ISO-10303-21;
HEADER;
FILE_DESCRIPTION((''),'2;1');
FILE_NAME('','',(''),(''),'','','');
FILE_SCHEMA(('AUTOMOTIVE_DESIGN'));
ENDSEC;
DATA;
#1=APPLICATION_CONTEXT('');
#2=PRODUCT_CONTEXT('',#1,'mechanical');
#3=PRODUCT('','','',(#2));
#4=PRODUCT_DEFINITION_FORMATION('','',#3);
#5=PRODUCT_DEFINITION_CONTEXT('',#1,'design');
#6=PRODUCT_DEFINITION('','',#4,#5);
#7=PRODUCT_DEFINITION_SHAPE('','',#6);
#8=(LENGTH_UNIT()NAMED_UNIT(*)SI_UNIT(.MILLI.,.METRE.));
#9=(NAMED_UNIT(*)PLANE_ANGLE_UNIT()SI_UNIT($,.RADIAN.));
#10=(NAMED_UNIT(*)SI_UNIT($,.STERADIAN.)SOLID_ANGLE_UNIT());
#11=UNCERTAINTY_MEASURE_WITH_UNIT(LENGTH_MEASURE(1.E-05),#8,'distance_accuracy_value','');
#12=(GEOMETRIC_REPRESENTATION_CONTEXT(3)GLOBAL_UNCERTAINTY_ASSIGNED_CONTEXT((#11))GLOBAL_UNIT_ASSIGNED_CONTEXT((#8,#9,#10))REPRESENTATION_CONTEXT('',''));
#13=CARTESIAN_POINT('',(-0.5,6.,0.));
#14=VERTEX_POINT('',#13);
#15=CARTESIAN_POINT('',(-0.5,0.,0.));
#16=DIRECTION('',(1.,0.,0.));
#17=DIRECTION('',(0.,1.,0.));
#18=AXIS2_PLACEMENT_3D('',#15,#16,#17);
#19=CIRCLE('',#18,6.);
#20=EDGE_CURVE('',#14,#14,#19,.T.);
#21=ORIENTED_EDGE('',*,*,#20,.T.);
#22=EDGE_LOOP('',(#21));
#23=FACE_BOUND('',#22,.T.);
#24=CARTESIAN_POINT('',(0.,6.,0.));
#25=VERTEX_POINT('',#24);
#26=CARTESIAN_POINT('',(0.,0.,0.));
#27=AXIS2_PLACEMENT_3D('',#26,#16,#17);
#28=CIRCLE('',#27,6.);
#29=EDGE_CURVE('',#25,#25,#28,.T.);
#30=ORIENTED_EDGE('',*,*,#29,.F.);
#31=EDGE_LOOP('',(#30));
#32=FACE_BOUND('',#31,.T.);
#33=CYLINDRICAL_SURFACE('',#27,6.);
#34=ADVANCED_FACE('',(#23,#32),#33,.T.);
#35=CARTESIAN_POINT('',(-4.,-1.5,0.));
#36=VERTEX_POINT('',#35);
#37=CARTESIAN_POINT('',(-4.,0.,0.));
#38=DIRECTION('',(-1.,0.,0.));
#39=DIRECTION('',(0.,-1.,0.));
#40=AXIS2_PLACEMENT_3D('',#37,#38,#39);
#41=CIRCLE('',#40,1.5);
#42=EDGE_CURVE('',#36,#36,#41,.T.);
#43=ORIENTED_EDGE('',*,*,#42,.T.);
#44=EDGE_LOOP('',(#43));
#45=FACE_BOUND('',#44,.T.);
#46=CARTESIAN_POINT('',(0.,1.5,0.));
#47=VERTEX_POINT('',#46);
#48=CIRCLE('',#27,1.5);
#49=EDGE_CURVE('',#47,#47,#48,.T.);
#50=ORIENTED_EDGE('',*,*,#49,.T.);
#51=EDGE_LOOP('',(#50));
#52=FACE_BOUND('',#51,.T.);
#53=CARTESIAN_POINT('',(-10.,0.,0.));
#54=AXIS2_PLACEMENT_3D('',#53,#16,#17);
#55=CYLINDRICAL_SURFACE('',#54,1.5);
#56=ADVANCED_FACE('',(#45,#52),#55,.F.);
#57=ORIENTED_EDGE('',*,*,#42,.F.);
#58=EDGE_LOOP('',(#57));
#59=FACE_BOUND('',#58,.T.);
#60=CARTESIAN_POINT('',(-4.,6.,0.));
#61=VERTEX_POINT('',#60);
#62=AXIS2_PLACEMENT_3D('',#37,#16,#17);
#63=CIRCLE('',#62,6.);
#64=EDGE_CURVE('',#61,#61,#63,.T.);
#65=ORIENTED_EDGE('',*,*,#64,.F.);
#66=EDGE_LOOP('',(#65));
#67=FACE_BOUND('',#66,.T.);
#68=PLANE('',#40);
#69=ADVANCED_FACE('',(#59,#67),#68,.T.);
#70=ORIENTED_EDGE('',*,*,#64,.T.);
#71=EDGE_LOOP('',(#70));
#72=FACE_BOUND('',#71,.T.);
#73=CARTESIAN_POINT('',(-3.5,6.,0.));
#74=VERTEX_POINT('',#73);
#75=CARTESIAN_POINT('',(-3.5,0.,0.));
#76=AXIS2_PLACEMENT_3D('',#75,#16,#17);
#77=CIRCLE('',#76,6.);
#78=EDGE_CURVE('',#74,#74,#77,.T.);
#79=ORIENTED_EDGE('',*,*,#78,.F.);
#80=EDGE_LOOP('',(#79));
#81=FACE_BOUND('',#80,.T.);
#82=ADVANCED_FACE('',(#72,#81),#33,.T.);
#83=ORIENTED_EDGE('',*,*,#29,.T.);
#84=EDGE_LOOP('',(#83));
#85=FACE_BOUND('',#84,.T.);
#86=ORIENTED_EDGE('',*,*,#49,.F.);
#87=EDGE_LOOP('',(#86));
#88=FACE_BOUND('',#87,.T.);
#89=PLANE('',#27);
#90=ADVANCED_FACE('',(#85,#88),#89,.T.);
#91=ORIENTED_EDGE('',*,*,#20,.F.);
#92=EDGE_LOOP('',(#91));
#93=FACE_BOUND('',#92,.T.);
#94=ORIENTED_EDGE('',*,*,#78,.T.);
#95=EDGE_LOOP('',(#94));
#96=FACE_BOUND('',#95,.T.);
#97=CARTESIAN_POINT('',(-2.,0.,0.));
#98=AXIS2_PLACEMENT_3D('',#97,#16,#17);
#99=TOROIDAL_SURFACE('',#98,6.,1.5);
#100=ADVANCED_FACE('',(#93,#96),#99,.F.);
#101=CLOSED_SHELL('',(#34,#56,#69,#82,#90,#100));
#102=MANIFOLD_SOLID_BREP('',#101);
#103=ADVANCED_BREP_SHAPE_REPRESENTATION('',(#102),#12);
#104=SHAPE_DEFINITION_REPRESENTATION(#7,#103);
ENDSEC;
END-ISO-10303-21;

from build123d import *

# Parameters (mm, degrees)
SKIZZE2_R                       = 1.5
SCHNITT_LINEAR_AUSTRAGEN1_DEPTH = 10


with BuildPart() as part:
    # Skizze1 → Rotation1 (revolve)
    with BuildSketch(Plane.XY):
        with BuildLine():
            Line((0, 0), (-4, 0))
            Line((-4, 0), (-4, 6))
            Line((-4, 6), (-3.5, 6))
            ThreePointArc((-3.5, 6), (-2, 4.5), (-0.5, 6))
            Line((-0.5, 6), (0, 6))
            Line((0, 6), (0, 0))
        make_face()
    revolve(axis=Axis((0, 0, 0), (-1, 0, 0)))

    # Skizze2 → Schnitt-Linear austragen1 (cut)
    with BuildSketch(Plane(origin=(0, 0, 0), x_dir=(0, 0, -1), z_dir=(1, 0, 0))):
        Circle(SKIZZE2_R)
    extrude(amount=-SCHNITT_LINEAR_AUSTRAGEN1_DEPTH, mode=Mode.SUBTRACT)


solid = part.part
